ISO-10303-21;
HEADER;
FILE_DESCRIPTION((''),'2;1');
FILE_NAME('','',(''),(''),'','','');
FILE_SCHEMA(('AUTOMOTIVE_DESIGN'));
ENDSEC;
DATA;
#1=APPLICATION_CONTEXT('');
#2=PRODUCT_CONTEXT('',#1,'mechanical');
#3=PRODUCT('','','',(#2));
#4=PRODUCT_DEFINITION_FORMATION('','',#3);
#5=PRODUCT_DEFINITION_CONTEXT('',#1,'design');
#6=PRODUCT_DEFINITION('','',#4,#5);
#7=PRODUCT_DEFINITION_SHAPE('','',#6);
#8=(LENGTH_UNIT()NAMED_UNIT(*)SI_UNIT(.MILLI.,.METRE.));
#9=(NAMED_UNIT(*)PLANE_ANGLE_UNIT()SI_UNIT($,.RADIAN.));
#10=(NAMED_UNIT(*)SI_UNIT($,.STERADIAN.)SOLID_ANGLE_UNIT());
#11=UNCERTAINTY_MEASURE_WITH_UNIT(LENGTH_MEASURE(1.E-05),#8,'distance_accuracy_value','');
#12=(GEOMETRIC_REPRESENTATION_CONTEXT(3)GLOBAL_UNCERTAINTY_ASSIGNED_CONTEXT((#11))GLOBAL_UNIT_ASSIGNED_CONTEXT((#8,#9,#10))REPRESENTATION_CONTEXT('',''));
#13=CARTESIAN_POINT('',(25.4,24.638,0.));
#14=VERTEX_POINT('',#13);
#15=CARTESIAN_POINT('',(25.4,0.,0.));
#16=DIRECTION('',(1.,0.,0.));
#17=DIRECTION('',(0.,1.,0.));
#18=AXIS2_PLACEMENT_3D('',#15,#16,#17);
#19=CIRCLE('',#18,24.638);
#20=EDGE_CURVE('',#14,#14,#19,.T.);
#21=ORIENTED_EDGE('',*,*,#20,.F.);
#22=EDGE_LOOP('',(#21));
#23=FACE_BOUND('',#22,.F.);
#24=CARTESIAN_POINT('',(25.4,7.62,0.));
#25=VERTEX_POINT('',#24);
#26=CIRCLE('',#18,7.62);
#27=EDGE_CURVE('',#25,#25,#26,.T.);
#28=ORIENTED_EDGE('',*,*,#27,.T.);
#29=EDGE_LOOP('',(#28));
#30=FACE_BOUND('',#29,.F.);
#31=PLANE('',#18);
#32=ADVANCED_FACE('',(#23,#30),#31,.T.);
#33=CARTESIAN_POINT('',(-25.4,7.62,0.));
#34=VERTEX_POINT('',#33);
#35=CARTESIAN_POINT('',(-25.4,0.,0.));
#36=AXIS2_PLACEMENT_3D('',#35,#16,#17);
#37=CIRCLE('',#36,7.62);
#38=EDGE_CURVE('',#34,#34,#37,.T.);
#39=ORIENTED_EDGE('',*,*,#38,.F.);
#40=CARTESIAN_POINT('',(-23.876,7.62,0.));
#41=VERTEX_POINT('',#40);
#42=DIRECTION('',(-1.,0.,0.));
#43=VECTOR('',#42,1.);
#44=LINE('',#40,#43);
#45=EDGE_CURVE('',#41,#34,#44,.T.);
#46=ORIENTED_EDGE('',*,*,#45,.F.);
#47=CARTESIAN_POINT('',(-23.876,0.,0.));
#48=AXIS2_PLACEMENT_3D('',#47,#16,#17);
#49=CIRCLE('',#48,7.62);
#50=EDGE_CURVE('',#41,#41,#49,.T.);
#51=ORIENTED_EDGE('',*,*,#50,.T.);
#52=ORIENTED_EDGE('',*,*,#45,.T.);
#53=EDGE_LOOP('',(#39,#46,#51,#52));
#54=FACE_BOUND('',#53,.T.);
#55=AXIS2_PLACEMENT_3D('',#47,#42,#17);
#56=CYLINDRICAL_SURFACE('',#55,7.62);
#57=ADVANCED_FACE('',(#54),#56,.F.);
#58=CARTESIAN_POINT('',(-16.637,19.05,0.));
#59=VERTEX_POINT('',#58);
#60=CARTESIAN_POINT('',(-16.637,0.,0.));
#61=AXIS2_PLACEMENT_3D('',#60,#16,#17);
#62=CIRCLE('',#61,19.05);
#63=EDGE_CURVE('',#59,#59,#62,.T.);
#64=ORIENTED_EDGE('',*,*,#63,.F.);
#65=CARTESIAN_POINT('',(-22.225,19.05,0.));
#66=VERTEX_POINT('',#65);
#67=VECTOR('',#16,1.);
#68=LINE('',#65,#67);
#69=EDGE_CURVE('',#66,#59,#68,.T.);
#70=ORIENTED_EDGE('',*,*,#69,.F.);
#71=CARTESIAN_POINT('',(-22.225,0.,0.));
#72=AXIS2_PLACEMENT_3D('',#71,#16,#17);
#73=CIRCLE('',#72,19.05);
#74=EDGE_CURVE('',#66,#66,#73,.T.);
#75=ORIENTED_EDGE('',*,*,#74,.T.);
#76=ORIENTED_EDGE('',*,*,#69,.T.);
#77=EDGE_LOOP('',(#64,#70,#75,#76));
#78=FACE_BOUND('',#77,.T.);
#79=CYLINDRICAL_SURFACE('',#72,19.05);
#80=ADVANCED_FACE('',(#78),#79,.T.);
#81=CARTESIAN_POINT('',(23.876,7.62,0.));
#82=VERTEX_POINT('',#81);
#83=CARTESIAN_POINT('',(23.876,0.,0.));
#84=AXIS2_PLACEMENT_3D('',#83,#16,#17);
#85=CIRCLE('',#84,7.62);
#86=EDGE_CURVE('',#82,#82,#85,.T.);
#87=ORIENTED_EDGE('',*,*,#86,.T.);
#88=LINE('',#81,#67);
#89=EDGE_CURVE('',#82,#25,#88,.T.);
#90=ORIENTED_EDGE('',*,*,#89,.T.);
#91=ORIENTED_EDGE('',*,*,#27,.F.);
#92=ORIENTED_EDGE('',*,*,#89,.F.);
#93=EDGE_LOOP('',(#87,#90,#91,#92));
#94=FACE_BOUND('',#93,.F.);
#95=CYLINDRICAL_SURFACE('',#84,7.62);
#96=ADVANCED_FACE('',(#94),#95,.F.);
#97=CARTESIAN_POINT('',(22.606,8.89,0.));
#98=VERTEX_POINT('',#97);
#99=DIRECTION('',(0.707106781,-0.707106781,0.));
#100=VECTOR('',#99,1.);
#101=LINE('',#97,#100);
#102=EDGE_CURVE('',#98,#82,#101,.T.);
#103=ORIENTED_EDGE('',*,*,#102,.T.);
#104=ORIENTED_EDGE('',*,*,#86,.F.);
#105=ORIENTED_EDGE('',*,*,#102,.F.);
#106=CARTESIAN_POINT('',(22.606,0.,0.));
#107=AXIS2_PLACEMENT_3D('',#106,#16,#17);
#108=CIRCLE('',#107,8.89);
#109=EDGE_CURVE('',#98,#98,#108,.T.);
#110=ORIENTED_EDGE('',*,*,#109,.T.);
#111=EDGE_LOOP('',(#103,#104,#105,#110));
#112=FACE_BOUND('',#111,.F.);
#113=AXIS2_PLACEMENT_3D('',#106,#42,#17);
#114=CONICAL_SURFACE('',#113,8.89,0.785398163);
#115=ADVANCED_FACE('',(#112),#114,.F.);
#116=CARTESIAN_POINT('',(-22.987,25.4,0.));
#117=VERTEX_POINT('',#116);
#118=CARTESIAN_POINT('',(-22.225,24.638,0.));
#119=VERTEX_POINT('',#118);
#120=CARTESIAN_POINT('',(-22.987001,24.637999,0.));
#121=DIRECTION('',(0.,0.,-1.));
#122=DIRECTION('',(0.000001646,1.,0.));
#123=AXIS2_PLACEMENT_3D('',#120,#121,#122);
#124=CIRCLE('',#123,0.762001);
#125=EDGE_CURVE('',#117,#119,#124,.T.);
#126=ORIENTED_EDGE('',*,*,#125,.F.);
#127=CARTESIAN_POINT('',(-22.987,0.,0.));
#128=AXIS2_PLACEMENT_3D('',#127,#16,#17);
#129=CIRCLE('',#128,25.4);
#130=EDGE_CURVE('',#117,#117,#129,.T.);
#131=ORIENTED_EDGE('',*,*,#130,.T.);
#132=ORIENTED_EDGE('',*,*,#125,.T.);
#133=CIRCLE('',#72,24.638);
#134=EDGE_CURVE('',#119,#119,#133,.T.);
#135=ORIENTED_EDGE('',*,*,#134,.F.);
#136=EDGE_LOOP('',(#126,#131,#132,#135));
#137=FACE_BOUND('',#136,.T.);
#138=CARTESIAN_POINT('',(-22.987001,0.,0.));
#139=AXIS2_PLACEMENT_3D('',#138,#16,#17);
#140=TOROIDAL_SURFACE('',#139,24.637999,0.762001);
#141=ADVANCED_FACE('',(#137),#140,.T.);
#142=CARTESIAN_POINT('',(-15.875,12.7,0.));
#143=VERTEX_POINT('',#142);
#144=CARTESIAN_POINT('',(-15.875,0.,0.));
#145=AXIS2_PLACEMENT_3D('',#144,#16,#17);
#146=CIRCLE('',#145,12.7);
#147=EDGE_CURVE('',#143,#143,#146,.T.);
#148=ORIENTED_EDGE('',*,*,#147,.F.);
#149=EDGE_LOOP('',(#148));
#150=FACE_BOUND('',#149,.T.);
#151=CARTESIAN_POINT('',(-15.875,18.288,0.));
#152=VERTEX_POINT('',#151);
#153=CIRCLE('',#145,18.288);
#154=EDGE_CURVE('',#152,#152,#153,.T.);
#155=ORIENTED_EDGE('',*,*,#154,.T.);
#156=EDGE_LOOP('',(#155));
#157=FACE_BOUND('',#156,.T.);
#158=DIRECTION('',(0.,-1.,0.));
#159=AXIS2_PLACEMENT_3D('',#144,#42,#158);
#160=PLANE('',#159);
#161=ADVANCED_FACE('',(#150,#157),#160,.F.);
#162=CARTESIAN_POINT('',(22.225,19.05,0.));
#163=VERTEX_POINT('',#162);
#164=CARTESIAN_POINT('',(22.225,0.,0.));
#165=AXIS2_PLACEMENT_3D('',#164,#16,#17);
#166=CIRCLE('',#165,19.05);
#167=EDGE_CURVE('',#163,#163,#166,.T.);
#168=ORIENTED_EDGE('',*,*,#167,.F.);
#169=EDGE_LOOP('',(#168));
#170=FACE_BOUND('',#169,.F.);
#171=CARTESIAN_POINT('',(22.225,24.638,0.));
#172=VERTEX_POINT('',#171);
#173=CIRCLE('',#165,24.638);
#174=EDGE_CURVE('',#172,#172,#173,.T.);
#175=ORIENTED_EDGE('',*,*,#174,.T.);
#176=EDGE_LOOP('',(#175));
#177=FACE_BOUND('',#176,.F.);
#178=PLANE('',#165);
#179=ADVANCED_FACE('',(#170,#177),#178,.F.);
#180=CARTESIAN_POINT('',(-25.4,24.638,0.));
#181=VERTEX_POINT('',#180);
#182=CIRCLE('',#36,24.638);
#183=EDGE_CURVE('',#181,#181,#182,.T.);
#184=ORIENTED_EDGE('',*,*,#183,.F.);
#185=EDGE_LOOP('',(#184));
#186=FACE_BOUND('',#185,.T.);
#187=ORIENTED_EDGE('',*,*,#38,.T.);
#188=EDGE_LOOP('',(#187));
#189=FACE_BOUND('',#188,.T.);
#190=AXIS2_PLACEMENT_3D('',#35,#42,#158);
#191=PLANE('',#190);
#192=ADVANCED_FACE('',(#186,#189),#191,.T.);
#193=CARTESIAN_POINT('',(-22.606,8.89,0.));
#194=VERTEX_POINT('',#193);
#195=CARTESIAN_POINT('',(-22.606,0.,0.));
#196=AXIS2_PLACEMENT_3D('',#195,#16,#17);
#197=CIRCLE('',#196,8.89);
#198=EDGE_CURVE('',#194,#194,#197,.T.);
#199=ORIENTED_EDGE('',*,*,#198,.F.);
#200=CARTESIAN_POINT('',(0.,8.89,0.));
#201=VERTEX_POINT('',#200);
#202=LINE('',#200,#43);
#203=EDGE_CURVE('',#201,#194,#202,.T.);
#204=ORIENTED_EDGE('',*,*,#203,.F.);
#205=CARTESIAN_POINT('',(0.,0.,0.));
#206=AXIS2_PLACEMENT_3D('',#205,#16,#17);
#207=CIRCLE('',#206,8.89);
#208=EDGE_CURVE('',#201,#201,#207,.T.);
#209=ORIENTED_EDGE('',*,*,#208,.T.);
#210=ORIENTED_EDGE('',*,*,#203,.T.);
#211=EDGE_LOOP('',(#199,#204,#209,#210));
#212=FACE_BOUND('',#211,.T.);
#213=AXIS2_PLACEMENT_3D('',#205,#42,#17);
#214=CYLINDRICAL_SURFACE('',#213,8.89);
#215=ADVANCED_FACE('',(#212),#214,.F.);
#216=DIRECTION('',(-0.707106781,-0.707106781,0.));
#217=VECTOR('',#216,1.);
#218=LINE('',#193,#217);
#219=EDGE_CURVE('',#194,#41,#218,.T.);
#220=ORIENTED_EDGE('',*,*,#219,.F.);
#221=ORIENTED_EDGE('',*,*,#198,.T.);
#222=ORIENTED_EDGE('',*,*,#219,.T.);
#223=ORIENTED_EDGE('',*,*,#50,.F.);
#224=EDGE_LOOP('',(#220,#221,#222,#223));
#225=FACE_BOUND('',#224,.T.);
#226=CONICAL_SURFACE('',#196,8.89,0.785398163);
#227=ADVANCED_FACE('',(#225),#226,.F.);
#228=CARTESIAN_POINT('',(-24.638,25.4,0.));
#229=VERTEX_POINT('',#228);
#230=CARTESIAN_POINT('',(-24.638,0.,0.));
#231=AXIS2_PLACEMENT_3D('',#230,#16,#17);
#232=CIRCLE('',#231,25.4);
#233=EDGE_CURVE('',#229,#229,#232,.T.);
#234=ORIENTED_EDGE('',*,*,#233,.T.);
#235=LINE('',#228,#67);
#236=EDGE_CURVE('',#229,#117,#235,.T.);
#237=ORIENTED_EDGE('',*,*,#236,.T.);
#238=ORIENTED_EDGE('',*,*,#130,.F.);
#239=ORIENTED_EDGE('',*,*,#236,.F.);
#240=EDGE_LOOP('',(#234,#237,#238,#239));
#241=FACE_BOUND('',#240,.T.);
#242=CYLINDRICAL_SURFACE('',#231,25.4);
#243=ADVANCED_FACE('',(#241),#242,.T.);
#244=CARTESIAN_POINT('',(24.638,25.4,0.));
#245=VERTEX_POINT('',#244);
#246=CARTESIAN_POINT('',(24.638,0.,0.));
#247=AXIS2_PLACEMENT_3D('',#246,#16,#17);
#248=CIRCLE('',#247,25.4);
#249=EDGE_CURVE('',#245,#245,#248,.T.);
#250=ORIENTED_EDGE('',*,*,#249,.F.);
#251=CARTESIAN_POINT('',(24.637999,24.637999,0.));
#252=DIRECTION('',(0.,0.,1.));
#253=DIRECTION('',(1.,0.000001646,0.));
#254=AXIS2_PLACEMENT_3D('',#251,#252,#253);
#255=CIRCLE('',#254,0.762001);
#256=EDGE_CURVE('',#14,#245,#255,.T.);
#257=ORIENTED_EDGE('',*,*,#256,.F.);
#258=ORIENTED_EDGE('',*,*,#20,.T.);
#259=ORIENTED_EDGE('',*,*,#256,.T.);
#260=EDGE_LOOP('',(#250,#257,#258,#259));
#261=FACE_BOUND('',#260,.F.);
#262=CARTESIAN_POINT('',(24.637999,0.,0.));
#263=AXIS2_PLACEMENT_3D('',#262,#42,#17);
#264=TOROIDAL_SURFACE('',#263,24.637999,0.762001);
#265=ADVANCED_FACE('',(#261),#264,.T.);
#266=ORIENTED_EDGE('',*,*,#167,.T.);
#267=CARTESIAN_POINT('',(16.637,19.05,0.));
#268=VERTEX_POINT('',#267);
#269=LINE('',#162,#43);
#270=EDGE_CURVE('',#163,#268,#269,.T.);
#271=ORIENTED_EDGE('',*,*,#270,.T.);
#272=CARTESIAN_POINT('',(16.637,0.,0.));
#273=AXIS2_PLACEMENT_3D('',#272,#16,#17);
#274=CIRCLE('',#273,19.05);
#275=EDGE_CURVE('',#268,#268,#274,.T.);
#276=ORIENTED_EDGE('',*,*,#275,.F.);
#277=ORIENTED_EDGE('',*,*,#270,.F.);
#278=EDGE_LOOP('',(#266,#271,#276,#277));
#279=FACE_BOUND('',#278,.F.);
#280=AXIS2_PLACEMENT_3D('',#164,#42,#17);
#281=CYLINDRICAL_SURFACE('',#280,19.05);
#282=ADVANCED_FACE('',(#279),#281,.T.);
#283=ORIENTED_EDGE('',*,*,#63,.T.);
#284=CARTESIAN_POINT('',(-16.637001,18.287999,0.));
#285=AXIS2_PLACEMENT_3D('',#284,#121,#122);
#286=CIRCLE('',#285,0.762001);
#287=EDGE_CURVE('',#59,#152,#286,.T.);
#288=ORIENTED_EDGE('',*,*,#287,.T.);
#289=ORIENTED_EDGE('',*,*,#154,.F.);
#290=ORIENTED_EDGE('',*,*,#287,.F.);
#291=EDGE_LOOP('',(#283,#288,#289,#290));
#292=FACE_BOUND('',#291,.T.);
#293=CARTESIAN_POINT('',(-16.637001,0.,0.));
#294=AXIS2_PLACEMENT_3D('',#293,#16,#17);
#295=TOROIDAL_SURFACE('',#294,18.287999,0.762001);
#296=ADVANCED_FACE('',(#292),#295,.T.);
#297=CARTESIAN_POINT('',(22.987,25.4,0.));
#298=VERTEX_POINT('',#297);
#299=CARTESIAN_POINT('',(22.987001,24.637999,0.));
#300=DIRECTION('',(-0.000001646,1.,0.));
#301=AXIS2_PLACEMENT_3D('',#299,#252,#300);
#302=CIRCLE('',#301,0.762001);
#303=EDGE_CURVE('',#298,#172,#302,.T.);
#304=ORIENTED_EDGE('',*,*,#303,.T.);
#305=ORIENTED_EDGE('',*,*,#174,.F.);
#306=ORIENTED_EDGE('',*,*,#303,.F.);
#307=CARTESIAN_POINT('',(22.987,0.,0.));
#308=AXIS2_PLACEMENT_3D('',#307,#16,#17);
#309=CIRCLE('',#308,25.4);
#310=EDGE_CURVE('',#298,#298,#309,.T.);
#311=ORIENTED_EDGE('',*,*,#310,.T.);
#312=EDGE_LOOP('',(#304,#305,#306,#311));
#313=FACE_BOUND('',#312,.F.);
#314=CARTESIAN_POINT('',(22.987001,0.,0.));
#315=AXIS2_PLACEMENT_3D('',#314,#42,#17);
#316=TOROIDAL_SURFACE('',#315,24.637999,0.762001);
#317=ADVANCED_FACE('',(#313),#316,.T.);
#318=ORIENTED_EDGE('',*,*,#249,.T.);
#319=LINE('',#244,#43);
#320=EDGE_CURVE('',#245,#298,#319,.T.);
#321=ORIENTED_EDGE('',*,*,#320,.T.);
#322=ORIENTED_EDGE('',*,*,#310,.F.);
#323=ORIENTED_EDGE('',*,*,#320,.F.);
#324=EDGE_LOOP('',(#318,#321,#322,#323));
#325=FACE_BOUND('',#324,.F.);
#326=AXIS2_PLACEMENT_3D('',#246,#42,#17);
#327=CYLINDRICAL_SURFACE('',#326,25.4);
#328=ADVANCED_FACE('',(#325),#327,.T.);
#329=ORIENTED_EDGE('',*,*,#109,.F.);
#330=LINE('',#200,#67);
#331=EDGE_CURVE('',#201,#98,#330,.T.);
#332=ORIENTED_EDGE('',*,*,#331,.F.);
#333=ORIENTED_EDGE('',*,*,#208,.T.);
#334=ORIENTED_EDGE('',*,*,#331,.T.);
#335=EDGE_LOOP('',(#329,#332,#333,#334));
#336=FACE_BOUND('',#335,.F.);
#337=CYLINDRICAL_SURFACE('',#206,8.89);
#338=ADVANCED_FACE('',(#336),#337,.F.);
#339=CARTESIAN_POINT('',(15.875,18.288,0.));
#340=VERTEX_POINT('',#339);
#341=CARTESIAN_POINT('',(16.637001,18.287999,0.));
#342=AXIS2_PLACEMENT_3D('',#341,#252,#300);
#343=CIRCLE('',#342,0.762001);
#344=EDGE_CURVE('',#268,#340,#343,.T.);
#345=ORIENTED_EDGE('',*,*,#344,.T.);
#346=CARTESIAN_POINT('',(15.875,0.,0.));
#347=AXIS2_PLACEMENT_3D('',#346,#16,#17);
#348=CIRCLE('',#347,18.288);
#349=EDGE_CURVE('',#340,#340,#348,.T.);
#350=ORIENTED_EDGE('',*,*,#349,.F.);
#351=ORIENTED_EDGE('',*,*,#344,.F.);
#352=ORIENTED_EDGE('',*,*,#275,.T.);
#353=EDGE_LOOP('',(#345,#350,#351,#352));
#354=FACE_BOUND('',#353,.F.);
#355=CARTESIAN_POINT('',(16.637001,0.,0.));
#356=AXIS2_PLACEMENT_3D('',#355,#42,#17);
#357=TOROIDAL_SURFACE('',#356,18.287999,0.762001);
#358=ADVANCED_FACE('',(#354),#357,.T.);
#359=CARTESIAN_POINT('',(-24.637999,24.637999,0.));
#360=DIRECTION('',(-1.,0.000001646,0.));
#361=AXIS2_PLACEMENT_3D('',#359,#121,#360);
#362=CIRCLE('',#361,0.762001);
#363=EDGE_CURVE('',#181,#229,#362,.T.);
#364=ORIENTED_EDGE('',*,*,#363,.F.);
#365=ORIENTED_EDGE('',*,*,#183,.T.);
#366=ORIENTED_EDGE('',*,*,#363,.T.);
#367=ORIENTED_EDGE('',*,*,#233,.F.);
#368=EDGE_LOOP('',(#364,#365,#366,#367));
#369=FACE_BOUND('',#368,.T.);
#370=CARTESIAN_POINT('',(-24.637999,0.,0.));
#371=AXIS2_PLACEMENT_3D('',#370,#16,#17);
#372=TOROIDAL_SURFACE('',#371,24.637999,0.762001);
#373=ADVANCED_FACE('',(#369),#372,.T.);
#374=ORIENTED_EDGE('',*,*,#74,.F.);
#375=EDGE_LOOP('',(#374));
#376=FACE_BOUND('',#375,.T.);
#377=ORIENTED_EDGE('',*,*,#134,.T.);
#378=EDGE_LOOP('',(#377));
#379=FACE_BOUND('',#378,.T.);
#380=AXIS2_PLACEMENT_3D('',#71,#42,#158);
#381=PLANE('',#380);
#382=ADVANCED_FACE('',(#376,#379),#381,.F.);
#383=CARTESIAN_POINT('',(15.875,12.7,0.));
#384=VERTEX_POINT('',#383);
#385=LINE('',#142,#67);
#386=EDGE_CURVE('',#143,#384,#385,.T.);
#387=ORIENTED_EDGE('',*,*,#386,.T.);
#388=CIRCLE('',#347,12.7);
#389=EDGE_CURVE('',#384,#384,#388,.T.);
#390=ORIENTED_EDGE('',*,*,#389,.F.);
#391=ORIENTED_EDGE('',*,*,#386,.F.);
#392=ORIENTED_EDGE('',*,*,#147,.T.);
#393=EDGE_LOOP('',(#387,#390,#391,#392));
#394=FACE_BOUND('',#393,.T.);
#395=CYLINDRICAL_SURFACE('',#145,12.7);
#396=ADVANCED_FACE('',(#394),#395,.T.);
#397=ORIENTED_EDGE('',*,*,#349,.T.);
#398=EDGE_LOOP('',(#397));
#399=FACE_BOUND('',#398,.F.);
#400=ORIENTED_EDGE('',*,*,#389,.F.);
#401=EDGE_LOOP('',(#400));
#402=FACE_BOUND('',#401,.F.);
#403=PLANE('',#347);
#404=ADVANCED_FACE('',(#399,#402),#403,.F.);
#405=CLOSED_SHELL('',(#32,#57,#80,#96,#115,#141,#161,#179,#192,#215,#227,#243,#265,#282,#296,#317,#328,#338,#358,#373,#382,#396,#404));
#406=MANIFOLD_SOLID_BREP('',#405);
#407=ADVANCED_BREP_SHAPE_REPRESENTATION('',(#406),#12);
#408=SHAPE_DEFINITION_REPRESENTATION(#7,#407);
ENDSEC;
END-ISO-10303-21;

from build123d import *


with BuildPart() as f1:
    # F0 (on Top) → F1 (revolve)
    with BuildSketch(Plane.XY):
        with BuildLine():
            Line((15.875, 12.7), (0, 12.7))
            Line((0, 12.7), (0, 8.89))
            Line((0, 8.89), (22.606, 8.89))
            Line((22.606, 8.89), (23.876, 7.62))
            Line((23.876, 7.62), (25.4, 7.62))
            Line((25.4, 7.62), (25.4, 24.638))
            ThreePointArc((25.4, 24.638), (25.176815, 25.176815), (24.638, 25.4))
            Line((24.638, 25.4), (22.987, 25.4))
            ThreePointArc((22.987, 25.4), (22.448185, 25.176815), (22.225, 24.638))
            Line((22.225, 24.638), (22.225, 19.05))
            Line((22.225, 19.05), (16.637, 19.05))
            ThreePointArc((16.637, 19.05), (16.098185, 18.826815), (15.875, 18.288))
            Line((15.875, 18.288), (15.875, 12.7))
        make_face()
    revolve(axis=Axis((24.644868, 0, 0), (1, 0, 0)))

    # F2: F1 across face


with BuildPart() as f1_1:
    add(f1.part)
    add(f1.part.mirror(Plane(origin=(0, 0, 0), x_dir=(0, -1, 0), z_dir=(-1, 0, 0))))


solid = f1_1.part
